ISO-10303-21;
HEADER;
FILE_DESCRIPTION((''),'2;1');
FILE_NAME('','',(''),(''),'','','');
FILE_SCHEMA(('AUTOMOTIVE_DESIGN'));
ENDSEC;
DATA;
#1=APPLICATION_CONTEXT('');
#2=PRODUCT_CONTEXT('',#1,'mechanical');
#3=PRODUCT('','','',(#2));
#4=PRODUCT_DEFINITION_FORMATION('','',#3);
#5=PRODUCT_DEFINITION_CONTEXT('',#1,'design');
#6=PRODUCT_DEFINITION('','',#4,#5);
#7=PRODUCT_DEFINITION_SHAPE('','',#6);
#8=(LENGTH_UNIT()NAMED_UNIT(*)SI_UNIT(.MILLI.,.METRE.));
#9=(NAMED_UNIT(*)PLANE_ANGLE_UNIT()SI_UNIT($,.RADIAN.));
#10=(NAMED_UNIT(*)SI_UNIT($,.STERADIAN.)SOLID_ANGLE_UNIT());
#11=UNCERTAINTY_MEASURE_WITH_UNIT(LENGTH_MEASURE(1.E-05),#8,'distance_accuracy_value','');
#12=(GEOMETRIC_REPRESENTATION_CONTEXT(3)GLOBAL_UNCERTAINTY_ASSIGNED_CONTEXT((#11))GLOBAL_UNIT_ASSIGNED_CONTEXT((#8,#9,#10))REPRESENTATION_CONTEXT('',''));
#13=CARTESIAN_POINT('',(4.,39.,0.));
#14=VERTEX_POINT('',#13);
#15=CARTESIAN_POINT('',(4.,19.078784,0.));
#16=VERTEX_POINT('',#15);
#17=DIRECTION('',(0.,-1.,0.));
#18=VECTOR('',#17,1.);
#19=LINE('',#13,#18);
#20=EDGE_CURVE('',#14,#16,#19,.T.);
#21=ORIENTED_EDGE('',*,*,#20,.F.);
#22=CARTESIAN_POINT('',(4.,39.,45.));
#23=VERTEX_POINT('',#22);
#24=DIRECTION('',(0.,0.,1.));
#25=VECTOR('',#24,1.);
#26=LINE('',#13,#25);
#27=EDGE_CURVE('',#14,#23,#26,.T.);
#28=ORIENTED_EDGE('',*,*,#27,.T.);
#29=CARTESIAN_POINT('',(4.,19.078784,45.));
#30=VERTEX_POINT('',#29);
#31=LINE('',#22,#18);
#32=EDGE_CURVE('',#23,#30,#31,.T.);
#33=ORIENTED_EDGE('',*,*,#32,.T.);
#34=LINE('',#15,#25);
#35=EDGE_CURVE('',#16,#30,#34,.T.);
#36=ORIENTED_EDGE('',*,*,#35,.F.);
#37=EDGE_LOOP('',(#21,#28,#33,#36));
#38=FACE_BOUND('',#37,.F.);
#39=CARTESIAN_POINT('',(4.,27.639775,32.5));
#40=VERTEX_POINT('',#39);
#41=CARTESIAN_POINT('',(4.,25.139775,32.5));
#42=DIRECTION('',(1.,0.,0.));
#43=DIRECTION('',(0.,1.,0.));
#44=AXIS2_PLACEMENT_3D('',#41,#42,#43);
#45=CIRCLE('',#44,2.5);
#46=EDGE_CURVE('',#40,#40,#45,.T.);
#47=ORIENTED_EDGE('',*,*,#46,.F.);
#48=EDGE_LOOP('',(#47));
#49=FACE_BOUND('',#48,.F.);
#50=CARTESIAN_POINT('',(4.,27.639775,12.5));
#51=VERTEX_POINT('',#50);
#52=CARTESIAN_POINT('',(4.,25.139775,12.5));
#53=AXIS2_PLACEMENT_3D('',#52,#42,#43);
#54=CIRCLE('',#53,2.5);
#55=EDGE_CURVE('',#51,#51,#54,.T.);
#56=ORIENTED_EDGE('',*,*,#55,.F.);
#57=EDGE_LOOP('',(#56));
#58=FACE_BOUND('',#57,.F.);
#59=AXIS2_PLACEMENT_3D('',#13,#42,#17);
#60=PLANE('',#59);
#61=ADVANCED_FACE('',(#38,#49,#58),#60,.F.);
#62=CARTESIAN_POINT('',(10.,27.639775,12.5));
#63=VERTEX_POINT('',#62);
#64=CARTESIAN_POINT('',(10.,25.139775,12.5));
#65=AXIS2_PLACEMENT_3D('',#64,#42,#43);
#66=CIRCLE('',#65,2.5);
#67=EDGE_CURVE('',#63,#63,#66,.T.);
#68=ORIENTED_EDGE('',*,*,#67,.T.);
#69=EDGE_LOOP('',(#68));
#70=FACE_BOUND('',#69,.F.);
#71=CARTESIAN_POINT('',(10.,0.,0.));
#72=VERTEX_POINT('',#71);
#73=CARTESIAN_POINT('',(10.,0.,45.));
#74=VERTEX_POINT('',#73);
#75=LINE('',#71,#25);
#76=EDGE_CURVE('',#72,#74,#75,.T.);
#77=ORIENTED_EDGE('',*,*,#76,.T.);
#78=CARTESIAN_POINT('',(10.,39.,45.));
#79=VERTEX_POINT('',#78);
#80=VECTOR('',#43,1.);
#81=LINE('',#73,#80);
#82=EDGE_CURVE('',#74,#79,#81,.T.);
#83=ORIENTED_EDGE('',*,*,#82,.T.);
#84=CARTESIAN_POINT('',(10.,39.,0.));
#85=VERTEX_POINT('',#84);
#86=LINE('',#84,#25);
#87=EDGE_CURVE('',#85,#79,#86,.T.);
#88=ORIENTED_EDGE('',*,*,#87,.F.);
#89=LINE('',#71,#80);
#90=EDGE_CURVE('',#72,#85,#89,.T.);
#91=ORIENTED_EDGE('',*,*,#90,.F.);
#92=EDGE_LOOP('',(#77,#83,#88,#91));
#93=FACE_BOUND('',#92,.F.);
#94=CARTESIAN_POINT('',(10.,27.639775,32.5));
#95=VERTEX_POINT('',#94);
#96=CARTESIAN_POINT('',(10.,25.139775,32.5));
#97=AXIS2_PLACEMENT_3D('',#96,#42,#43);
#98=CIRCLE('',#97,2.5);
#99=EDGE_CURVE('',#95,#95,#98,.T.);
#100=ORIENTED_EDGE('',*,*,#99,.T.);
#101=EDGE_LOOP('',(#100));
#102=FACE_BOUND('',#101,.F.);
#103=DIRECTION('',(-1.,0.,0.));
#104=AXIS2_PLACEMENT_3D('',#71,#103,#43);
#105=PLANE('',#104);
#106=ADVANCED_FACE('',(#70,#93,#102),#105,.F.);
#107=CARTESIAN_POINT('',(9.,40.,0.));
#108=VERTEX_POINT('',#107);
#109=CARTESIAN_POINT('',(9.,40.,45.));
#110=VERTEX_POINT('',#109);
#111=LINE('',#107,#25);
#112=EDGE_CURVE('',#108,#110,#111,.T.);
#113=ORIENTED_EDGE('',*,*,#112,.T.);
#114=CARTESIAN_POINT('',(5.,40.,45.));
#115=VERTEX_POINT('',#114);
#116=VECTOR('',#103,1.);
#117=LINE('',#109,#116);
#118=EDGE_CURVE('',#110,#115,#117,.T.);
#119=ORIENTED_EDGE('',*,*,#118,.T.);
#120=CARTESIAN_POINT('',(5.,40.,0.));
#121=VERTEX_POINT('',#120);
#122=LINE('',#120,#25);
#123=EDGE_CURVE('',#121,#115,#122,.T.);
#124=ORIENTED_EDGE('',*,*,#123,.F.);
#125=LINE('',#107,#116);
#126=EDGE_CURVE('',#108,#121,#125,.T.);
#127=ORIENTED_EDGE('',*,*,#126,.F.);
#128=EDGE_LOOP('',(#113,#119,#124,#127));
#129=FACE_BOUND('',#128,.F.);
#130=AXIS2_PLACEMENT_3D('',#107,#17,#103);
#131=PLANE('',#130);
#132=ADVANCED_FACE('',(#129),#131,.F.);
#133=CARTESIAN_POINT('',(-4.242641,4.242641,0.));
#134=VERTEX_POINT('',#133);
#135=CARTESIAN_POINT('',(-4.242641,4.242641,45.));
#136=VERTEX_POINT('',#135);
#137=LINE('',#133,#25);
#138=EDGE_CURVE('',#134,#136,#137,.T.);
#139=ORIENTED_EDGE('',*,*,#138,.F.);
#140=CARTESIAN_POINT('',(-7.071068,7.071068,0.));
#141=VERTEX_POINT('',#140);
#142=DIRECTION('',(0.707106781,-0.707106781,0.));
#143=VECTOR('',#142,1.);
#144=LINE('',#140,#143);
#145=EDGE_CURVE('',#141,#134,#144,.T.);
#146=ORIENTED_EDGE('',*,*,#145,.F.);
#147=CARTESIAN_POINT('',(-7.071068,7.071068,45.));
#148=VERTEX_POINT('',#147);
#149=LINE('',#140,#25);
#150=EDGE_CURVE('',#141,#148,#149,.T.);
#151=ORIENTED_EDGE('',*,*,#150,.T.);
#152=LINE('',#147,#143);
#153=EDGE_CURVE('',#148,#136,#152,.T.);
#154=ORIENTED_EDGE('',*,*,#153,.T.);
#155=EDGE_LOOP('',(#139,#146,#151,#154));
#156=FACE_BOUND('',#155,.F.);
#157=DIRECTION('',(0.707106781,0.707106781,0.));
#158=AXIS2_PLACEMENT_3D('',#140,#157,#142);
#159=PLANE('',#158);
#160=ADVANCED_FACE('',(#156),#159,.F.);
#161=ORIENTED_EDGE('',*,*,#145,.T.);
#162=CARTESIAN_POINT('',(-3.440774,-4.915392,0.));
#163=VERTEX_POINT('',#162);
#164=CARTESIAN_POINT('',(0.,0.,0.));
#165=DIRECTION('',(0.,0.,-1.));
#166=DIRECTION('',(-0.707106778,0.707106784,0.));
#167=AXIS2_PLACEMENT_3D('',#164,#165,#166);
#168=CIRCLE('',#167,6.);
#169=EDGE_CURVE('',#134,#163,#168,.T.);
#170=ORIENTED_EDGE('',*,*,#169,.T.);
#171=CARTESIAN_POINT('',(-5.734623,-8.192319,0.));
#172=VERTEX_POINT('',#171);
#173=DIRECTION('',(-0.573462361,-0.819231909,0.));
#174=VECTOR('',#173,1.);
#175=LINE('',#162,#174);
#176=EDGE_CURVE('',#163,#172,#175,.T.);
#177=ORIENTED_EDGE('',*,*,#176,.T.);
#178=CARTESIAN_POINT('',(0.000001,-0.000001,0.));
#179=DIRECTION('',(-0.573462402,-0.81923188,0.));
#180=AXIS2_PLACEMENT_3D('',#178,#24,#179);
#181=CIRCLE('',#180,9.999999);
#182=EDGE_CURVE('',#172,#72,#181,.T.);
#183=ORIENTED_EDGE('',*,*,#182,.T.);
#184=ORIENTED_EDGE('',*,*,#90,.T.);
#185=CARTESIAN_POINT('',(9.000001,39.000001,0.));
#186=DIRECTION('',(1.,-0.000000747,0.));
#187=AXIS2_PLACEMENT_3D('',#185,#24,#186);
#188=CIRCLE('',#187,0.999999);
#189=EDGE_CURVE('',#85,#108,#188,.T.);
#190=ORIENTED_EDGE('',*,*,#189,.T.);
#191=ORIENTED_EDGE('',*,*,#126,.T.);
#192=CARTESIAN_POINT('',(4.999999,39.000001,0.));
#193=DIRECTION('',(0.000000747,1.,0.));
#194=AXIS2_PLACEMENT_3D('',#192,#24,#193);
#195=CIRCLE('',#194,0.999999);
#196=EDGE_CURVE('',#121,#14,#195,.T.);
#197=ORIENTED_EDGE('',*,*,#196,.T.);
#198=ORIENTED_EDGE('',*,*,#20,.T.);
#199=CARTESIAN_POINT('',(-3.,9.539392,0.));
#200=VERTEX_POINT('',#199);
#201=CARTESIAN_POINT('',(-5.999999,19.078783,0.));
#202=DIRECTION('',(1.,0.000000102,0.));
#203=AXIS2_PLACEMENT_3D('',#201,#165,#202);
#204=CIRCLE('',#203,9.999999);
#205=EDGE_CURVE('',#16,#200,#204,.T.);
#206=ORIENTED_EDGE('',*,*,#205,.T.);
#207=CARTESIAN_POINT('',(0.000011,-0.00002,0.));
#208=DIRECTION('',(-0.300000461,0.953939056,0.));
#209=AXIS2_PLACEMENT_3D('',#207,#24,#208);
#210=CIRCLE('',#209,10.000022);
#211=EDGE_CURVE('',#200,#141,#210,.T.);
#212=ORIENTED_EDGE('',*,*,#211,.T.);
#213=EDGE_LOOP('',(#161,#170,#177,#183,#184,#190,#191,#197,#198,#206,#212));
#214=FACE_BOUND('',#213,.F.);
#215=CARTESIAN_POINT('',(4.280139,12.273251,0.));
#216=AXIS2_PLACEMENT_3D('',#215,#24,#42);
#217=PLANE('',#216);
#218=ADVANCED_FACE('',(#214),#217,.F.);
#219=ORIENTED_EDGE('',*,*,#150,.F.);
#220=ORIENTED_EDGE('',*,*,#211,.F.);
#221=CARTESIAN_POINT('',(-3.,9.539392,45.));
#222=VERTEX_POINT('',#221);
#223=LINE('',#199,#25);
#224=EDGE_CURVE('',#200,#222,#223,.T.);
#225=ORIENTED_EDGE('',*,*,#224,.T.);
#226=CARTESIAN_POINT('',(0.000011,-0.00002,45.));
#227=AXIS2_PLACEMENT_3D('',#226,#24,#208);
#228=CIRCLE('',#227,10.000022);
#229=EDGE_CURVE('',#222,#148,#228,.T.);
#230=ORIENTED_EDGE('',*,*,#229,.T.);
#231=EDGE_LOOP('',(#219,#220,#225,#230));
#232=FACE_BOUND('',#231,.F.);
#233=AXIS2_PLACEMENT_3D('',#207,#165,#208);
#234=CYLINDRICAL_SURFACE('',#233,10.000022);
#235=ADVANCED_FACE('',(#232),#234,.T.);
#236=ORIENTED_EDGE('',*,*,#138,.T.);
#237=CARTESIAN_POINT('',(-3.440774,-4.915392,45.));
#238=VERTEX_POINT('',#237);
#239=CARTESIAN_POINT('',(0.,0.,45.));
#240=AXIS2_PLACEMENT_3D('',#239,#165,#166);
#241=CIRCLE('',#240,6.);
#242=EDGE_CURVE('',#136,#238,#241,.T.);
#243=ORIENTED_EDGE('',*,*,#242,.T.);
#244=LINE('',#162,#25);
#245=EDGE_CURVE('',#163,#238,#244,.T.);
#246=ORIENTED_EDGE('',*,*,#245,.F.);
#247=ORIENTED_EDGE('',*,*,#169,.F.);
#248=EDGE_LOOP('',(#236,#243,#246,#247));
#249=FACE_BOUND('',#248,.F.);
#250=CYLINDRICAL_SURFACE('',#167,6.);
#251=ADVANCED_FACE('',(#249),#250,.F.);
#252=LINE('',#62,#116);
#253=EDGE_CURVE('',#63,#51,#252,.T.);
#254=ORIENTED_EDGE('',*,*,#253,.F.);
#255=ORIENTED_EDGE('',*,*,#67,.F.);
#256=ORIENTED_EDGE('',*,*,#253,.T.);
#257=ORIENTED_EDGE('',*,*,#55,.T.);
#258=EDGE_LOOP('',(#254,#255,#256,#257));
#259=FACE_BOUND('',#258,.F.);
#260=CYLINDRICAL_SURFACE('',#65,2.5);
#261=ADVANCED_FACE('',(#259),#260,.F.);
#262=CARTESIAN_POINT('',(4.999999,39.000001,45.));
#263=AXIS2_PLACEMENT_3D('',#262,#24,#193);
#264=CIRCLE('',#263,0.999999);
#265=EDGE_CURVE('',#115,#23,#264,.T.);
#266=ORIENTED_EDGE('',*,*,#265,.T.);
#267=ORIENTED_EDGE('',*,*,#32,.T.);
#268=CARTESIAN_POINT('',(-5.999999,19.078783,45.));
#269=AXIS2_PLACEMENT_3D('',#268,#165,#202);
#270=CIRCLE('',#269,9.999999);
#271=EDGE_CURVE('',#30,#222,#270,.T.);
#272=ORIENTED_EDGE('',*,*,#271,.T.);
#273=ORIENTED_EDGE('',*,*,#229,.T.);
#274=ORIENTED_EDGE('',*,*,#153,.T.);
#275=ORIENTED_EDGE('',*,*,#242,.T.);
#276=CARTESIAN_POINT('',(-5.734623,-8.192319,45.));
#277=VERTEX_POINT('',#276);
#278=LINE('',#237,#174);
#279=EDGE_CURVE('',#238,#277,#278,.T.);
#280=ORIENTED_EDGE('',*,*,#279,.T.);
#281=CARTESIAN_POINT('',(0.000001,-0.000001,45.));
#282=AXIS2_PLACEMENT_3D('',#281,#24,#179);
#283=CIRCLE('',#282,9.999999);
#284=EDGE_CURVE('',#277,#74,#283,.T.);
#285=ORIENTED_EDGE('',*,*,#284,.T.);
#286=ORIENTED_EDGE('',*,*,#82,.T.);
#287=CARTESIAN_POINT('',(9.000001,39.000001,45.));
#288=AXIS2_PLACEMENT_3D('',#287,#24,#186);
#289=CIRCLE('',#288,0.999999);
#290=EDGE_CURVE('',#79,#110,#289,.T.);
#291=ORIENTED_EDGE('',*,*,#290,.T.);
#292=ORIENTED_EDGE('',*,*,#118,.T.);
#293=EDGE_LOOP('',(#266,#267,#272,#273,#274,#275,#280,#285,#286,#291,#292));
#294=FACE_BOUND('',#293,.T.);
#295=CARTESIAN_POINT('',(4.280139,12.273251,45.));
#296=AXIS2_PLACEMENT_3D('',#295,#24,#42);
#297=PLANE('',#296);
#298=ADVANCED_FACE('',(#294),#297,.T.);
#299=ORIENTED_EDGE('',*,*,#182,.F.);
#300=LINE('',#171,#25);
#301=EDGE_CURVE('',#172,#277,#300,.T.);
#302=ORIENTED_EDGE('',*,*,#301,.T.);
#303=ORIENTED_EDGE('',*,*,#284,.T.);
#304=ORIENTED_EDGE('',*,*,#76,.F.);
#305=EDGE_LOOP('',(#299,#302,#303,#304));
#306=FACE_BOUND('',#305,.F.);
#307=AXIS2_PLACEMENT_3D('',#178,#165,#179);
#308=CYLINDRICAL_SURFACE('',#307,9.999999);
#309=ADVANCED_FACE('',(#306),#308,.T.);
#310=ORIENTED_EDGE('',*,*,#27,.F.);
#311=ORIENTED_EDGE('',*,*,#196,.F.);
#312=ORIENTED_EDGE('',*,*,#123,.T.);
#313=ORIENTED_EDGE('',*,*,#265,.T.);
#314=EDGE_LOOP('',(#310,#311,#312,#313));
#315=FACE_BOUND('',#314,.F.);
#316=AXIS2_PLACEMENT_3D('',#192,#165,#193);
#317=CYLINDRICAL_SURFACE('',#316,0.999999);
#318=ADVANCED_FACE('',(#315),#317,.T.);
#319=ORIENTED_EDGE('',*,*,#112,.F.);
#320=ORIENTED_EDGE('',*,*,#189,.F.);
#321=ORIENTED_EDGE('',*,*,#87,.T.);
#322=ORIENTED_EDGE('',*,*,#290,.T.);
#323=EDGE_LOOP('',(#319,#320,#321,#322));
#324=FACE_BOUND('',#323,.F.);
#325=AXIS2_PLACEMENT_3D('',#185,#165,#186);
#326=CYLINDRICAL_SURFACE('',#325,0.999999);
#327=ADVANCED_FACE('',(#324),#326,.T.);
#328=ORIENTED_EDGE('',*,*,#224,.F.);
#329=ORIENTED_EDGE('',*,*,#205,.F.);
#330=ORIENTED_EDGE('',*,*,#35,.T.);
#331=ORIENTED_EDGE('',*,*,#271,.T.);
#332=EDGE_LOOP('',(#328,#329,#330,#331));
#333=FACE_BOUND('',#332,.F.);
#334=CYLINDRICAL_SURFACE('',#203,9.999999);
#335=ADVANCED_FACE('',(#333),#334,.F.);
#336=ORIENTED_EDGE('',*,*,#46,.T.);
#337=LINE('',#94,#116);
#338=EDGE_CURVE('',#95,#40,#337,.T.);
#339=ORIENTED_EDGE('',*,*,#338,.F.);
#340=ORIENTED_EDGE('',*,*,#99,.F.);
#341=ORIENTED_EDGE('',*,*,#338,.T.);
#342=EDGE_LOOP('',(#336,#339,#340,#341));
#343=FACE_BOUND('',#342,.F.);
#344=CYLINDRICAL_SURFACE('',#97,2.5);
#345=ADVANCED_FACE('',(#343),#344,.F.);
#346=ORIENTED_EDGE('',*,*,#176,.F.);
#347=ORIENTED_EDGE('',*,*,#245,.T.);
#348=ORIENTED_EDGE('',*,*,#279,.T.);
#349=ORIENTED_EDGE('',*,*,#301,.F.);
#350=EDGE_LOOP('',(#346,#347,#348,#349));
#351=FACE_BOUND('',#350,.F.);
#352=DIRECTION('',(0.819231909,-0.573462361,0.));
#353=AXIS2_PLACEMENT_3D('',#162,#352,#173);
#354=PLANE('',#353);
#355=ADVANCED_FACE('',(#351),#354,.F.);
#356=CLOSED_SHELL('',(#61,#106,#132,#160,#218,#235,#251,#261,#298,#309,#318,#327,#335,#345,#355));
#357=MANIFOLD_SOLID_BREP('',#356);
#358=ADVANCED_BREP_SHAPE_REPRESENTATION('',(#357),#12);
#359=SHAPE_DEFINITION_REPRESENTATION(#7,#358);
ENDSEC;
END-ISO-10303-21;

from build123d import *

# Parameters (mm, degrees)
F1_DEPTH = 45
F3_R     = 2.5
F4_DEPTH = 6


with BuildPart() as f1:
    # F0 (on Top) → F1 (new body)
    with BuildSketch(Plane.XY):
        with BuildLine():
            ThreePointArc((-4.242641, 4.242641), (5.977132, 0.523351), (-3.440774, -4.915392))
            Line((-3.440774, -4.915392), (-5.734623, -8.192319))
            ThreePointArc((-5.734623, -8.192319), (4.618104, -8.869787), (10, 0))
            Line((10, 0), (10, 39))
            ThreePointArc((10, 39), (9.707107, 39.707107), (9, 40))
            Line((9, 40), (5, 40))
            ThreePointArc((5, 40), (4.292893, 39.707107), (4, 39))
            Line((4, 39), (4, 19.078784))
            ThreePointArc((4, 19.078784), (2.062258, 13.162704), (-3, 9.539392))
            ThreePointArc((-3, 9.539392), (-5.184569, 8.551037), (-7.071068, 7.071068))
            Line((-7.071068, 7.071068), (-4.242641, 4.242641))
        make_face()
    extrude(amount=F1_DEPTH)

    # F3 (on face) → F4 (cut)
    with BuildSketch(Plane.YZ.offset(10)):
        with Locations((25.139775, 32.5)):
            Circle(F3_R)
        with Locations((25.139775, 12.5)):
            Circle(F3_R)
    extrude(amount=-F4_DEPTH, mode=Mode.SUBTRACT)


solid = f1.part
